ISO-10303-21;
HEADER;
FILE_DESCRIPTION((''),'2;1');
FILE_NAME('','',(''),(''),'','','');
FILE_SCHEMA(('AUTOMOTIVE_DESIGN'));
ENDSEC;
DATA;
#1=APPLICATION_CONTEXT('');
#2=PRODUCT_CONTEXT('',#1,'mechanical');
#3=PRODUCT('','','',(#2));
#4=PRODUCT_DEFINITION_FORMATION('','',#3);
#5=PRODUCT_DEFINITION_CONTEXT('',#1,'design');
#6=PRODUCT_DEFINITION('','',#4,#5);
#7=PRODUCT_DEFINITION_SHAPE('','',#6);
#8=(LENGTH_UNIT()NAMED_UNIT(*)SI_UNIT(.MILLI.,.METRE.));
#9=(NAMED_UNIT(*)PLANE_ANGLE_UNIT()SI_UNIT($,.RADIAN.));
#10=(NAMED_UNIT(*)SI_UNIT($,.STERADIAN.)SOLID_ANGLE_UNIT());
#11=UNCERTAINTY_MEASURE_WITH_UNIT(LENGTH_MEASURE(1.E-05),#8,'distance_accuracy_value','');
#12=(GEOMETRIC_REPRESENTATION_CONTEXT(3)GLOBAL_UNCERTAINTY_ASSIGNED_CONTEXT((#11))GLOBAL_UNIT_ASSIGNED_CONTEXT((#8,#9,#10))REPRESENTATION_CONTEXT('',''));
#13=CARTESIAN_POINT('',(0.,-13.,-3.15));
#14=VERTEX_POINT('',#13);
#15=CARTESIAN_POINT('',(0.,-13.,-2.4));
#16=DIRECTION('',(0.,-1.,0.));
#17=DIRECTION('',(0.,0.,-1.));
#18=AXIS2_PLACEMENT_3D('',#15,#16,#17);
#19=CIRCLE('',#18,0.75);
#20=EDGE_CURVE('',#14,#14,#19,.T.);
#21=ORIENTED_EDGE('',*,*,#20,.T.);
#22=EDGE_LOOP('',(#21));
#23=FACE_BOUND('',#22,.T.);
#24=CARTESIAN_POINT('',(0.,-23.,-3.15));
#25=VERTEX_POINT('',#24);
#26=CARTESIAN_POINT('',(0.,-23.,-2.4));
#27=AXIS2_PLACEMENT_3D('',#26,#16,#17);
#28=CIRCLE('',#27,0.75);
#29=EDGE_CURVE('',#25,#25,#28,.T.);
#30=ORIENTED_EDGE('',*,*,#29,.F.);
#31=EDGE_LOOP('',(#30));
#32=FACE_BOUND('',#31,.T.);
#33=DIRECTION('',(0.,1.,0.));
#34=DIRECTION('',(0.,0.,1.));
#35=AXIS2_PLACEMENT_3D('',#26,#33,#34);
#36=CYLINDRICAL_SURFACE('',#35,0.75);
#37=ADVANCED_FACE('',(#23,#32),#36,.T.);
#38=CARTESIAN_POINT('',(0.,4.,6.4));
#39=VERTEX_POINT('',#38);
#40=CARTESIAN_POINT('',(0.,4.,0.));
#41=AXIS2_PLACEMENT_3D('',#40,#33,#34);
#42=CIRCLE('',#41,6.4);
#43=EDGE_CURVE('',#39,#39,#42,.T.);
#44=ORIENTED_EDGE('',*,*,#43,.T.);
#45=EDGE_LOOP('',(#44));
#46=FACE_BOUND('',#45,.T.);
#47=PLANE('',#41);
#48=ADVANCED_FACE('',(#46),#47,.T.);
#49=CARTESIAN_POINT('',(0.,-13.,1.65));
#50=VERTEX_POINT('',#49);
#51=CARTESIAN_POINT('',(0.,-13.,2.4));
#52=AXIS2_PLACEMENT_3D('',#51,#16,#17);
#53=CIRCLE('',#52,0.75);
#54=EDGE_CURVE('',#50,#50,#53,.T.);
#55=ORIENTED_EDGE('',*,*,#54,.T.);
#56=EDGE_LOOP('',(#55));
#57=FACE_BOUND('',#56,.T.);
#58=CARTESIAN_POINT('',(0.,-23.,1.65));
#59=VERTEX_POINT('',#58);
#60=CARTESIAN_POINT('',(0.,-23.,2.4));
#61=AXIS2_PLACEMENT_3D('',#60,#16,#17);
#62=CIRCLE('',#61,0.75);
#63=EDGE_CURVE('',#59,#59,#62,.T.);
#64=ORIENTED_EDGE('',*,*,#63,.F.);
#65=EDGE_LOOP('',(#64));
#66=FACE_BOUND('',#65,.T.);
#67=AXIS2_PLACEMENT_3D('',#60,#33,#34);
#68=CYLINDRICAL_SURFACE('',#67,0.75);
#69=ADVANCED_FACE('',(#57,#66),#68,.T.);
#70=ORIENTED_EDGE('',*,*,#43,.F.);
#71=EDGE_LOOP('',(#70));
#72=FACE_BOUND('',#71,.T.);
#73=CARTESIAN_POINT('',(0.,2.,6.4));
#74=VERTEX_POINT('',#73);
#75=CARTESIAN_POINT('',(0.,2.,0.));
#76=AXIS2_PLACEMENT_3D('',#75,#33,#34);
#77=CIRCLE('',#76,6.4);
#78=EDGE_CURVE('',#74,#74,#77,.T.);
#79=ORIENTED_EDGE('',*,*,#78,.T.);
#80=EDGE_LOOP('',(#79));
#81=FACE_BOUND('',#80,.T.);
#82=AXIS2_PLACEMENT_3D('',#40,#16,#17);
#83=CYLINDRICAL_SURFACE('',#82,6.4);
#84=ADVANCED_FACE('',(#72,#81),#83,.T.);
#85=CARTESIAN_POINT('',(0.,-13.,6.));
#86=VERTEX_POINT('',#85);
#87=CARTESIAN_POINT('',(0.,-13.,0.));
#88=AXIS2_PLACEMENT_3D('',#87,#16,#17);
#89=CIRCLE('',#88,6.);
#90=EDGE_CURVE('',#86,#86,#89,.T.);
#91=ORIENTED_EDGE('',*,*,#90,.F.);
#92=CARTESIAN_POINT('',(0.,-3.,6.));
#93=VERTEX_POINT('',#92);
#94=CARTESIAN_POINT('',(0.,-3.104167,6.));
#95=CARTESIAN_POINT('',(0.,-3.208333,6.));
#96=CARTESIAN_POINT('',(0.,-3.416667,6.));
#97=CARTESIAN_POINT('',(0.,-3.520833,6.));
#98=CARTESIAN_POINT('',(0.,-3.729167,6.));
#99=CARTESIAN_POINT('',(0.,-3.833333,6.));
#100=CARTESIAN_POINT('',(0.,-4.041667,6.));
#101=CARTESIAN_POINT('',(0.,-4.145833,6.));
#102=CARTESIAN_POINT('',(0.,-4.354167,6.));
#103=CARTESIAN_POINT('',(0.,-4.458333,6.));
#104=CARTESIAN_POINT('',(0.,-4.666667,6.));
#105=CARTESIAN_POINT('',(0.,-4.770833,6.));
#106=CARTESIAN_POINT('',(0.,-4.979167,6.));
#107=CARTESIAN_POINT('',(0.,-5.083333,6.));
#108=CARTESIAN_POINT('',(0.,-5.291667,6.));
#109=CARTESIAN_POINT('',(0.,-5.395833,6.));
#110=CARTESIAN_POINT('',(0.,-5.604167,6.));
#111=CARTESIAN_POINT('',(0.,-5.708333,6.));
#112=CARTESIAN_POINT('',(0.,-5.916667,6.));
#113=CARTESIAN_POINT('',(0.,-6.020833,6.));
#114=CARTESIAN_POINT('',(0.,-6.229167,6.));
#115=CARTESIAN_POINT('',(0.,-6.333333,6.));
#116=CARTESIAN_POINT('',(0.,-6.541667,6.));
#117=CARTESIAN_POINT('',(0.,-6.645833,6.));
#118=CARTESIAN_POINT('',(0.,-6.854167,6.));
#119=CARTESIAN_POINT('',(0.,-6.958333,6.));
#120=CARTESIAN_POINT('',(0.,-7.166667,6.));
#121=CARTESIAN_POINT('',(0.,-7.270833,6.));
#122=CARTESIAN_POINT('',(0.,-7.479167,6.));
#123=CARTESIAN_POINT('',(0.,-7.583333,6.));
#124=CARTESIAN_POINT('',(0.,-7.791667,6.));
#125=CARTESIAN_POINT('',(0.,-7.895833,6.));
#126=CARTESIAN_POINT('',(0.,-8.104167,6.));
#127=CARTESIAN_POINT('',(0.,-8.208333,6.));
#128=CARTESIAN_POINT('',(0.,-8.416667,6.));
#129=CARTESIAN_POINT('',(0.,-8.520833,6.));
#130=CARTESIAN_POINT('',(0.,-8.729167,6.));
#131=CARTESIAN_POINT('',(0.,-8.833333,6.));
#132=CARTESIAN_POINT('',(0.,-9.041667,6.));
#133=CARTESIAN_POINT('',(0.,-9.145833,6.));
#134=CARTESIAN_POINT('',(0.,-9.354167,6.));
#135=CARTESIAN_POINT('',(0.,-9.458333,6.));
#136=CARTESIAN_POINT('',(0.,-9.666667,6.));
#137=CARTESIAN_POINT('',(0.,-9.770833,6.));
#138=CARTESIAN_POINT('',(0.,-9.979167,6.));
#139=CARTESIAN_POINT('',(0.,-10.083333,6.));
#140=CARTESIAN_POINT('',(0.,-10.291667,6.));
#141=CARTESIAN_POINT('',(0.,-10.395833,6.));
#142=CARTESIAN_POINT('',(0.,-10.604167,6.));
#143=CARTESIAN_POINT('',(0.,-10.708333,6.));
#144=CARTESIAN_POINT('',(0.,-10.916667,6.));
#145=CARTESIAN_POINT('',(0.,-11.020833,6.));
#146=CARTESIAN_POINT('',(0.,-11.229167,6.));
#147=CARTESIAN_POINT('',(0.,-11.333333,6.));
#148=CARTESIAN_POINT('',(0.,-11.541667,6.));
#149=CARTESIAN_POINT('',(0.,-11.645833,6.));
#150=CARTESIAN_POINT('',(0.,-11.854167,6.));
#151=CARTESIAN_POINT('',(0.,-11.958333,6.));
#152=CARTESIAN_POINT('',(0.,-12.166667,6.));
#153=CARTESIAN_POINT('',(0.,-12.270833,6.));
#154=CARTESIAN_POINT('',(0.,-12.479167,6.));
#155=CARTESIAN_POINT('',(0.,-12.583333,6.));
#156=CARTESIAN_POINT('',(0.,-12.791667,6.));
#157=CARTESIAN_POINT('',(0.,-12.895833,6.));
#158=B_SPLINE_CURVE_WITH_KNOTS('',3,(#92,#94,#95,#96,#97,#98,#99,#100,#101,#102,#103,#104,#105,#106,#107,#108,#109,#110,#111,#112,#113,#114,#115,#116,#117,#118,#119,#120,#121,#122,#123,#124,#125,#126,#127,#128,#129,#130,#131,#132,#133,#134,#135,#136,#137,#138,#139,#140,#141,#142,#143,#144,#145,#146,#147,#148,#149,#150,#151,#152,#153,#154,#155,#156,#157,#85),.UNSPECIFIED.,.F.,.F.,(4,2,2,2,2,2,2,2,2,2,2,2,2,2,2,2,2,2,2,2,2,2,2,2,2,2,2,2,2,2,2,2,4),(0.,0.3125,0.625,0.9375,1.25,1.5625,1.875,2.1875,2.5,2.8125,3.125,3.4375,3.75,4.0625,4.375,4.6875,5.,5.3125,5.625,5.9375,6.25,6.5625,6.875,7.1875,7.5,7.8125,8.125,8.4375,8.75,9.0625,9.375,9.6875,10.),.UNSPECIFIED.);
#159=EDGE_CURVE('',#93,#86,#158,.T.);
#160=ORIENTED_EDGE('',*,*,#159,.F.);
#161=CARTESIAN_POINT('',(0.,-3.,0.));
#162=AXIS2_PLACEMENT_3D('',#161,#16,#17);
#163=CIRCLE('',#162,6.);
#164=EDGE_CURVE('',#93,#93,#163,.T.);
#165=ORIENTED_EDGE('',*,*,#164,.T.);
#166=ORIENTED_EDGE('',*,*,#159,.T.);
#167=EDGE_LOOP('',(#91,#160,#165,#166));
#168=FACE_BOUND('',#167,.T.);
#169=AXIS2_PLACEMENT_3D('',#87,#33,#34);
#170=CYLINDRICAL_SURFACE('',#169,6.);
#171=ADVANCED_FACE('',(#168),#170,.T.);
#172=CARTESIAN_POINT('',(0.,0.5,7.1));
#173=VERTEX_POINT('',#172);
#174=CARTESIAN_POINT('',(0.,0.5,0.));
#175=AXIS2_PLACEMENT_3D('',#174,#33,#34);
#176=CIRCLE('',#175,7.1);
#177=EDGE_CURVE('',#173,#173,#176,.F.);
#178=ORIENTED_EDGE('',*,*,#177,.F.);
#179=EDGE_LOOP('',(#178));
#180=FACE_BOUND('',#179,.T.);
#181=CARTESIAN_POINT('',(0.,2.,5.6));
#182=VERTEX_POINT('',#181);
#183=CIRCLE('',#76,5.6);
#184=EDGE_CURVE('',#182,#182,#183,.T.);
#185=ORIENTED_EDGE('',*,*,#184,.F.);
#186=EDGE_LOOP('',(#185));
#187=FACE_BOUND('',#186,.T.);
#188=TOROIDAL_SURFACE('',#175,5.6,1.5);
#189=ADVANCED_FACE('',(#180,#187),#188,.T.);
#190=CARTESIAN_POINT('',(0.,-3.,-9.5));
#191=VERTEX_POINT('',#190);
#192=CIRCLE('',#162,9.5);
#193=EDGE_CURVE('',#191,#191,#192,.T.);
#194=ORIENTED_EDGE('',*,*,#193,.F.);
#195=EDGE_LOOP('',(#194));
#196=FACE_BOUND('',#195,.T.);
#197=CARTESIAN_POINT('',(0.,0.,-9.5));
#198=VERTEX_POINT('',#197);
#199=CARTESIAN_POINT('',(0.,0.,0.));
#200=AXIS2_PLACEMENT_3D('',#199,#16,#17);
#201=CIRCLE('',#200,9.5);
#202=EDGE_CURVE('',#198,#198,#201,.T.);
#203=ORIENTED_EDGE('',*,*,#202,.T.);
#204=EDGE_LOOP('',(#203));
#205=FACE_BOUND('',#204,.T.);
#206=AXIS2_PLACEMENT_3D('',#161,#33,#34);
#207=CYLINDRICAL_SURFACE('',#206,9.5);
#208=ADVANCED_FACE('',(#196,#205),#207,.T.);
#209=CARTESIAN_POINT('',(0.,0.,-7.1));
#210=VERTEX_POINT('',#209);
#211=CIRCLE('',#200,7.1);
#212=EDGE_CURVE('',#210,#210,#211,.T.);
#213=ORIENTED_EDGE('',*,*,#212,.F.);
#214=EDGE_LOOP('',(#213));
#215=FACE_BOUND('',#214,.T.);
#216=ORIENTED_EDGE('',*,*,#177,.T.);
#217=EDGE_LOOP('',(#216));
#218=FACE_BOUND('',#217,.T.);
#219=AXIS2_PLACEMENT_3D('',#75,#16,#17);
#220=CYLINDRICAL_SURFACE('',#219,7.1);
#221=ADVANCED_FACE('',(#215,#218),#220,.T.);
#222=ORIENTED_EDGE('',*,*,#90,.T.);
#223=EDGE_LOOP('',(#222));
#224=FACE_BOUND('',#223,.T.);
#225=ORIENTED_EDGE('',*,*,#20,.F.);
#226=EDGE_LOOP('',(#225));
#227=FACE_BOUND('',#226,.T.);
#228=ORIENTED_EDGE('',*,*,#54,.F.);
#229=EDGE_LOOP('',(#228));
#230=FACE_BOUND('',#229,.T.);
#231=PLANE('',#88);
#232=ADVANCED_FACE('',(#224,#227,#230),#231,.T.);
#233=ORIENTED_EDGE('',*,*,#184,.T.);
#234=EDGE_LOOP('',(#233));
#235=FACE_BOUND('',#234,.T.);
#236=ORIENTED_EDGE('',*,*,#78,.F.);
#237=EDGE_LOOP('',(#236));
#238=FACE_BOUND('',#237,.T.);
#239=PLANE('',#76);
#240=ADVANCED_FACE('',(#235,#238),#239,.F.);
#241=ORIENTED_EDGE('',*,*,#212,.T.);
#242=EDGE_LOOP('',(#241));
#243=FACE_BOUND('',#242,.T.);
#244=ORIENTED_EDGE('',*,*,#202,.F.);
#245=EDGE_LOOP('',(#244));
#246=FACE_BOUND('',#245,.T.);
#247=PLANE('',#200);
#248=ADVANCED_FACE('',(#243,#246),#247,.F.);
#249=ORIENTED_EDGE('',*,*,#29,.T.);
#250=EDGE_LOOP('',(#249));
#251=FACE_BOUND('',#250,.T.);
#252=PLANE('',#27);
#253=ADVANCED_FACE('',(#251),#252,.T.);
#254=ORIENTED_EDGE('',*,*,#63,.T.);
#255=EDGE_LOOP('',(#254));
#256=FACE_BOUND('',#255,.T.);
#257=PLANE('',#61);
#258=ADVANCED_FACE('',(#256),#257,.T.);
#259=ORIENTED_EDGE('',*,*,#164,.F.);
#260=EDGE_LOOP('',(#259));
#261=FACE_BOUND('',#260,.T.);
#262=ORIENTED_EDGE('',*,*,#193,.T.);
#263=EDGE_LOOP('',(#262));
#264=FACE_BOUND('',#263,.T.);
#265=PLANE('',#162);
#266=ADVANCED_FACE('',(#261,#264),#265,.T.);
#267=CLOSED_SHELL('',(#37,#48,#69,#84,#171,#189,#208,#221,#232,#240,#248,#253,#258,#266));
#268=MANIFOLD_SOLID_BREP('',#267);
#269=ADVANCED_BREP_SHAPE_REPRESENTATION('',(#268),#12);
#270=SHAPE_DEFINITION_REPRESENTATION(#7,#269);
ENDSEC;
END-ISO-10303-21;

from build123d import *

# Parameters (mm, degrees)
SKETCH_1_R      = 7.1
EXTRUDE_1_DEPTH = 2
FILLET_1_R      = 1.5
SKETCH_2_R      = 6.4
EXTRUDE_2_DEPTH = 2
SKETCH_3_R      = 6
EXTRUDE_3_DEPTH = 13
SKETCH_4_R      = 0.75
EXTRUDE_4_DEPTH = 10
SKETCH_5_R      = 9.5
SKETCH_5_R_2    = 6
EXTRUDE_5_DEPTH = 3


with BuildPart() as part:
    # 草图1 → 拉伸1 (new body)
    with BuildSketch(Plane(origin=(0, 0, 0), x_dir=(1, 0, 0), z_dir=(0, 1, 0))):
        with Locations(Location((0, 0, 0), (0, 0, 270))):
            Circle(SKETCH_1_R)
    extrude(amount=EXTRUDE_1_DEPTH)

    # 圆角1
    fillet_1_edges = [part.edges().sort_by_distance(p)[0] for p in [
        (0, 2, -7.1),
    ]]
    fillet(fillet_1_edges, radius=FILLET_1_R)

    # 草图2 → 拉伸2 (add)
    with BuildSketch(Plane(origin=(0, 2, 0), x_dir=(-1, 0, 0), z_dir=(0, 1, 0))):
        with Locations(Location((0, 0, 0), (0, 0, 90))):
            Circle(SKETCH_2_R)
    extrude(amount=EXTRUDE_2_DEPTH)

    # 草图3 → 拉伸3 (add)
    with BuildSketch(Plane.XZ):
        with Locations(Location((0, 0, 0), (0, 0, 90))):
            Circle(SKETCH_3_R)
    extrude(amount=EXTRUDE_3_DEPTH)

    # 草图4 → 拉伸4 (add)
    with BuildSketch(Plane.XZ.offset(13)):
        with Locations(Location((0, -2.4, 0), (0, 0, 270))):
            Circle(SKETCH_4_R)
        with Locations(Location((0, 2.4, 0), (0, 0, 270))):
            Circle(SKETCH_4_R)
    extrude(amount=EXTRUDE_4_DEPTH)

    # 草图5 → 拉伸5 (add)
    with BuildSketch(Plane.XZ):
        with Locations(Location((0, 0, 0), (0, 0, 270))):
            Circle(SKETCH_5_R)
        with Locations(Location((0, 0, 0), (0, 0, 90))):
            Circle(SKETCH_5_R_2, mode=Mode.SUBTRACT)
    extrude(amount=EXTRUDE_5_DEPTH)


solid = part.part
